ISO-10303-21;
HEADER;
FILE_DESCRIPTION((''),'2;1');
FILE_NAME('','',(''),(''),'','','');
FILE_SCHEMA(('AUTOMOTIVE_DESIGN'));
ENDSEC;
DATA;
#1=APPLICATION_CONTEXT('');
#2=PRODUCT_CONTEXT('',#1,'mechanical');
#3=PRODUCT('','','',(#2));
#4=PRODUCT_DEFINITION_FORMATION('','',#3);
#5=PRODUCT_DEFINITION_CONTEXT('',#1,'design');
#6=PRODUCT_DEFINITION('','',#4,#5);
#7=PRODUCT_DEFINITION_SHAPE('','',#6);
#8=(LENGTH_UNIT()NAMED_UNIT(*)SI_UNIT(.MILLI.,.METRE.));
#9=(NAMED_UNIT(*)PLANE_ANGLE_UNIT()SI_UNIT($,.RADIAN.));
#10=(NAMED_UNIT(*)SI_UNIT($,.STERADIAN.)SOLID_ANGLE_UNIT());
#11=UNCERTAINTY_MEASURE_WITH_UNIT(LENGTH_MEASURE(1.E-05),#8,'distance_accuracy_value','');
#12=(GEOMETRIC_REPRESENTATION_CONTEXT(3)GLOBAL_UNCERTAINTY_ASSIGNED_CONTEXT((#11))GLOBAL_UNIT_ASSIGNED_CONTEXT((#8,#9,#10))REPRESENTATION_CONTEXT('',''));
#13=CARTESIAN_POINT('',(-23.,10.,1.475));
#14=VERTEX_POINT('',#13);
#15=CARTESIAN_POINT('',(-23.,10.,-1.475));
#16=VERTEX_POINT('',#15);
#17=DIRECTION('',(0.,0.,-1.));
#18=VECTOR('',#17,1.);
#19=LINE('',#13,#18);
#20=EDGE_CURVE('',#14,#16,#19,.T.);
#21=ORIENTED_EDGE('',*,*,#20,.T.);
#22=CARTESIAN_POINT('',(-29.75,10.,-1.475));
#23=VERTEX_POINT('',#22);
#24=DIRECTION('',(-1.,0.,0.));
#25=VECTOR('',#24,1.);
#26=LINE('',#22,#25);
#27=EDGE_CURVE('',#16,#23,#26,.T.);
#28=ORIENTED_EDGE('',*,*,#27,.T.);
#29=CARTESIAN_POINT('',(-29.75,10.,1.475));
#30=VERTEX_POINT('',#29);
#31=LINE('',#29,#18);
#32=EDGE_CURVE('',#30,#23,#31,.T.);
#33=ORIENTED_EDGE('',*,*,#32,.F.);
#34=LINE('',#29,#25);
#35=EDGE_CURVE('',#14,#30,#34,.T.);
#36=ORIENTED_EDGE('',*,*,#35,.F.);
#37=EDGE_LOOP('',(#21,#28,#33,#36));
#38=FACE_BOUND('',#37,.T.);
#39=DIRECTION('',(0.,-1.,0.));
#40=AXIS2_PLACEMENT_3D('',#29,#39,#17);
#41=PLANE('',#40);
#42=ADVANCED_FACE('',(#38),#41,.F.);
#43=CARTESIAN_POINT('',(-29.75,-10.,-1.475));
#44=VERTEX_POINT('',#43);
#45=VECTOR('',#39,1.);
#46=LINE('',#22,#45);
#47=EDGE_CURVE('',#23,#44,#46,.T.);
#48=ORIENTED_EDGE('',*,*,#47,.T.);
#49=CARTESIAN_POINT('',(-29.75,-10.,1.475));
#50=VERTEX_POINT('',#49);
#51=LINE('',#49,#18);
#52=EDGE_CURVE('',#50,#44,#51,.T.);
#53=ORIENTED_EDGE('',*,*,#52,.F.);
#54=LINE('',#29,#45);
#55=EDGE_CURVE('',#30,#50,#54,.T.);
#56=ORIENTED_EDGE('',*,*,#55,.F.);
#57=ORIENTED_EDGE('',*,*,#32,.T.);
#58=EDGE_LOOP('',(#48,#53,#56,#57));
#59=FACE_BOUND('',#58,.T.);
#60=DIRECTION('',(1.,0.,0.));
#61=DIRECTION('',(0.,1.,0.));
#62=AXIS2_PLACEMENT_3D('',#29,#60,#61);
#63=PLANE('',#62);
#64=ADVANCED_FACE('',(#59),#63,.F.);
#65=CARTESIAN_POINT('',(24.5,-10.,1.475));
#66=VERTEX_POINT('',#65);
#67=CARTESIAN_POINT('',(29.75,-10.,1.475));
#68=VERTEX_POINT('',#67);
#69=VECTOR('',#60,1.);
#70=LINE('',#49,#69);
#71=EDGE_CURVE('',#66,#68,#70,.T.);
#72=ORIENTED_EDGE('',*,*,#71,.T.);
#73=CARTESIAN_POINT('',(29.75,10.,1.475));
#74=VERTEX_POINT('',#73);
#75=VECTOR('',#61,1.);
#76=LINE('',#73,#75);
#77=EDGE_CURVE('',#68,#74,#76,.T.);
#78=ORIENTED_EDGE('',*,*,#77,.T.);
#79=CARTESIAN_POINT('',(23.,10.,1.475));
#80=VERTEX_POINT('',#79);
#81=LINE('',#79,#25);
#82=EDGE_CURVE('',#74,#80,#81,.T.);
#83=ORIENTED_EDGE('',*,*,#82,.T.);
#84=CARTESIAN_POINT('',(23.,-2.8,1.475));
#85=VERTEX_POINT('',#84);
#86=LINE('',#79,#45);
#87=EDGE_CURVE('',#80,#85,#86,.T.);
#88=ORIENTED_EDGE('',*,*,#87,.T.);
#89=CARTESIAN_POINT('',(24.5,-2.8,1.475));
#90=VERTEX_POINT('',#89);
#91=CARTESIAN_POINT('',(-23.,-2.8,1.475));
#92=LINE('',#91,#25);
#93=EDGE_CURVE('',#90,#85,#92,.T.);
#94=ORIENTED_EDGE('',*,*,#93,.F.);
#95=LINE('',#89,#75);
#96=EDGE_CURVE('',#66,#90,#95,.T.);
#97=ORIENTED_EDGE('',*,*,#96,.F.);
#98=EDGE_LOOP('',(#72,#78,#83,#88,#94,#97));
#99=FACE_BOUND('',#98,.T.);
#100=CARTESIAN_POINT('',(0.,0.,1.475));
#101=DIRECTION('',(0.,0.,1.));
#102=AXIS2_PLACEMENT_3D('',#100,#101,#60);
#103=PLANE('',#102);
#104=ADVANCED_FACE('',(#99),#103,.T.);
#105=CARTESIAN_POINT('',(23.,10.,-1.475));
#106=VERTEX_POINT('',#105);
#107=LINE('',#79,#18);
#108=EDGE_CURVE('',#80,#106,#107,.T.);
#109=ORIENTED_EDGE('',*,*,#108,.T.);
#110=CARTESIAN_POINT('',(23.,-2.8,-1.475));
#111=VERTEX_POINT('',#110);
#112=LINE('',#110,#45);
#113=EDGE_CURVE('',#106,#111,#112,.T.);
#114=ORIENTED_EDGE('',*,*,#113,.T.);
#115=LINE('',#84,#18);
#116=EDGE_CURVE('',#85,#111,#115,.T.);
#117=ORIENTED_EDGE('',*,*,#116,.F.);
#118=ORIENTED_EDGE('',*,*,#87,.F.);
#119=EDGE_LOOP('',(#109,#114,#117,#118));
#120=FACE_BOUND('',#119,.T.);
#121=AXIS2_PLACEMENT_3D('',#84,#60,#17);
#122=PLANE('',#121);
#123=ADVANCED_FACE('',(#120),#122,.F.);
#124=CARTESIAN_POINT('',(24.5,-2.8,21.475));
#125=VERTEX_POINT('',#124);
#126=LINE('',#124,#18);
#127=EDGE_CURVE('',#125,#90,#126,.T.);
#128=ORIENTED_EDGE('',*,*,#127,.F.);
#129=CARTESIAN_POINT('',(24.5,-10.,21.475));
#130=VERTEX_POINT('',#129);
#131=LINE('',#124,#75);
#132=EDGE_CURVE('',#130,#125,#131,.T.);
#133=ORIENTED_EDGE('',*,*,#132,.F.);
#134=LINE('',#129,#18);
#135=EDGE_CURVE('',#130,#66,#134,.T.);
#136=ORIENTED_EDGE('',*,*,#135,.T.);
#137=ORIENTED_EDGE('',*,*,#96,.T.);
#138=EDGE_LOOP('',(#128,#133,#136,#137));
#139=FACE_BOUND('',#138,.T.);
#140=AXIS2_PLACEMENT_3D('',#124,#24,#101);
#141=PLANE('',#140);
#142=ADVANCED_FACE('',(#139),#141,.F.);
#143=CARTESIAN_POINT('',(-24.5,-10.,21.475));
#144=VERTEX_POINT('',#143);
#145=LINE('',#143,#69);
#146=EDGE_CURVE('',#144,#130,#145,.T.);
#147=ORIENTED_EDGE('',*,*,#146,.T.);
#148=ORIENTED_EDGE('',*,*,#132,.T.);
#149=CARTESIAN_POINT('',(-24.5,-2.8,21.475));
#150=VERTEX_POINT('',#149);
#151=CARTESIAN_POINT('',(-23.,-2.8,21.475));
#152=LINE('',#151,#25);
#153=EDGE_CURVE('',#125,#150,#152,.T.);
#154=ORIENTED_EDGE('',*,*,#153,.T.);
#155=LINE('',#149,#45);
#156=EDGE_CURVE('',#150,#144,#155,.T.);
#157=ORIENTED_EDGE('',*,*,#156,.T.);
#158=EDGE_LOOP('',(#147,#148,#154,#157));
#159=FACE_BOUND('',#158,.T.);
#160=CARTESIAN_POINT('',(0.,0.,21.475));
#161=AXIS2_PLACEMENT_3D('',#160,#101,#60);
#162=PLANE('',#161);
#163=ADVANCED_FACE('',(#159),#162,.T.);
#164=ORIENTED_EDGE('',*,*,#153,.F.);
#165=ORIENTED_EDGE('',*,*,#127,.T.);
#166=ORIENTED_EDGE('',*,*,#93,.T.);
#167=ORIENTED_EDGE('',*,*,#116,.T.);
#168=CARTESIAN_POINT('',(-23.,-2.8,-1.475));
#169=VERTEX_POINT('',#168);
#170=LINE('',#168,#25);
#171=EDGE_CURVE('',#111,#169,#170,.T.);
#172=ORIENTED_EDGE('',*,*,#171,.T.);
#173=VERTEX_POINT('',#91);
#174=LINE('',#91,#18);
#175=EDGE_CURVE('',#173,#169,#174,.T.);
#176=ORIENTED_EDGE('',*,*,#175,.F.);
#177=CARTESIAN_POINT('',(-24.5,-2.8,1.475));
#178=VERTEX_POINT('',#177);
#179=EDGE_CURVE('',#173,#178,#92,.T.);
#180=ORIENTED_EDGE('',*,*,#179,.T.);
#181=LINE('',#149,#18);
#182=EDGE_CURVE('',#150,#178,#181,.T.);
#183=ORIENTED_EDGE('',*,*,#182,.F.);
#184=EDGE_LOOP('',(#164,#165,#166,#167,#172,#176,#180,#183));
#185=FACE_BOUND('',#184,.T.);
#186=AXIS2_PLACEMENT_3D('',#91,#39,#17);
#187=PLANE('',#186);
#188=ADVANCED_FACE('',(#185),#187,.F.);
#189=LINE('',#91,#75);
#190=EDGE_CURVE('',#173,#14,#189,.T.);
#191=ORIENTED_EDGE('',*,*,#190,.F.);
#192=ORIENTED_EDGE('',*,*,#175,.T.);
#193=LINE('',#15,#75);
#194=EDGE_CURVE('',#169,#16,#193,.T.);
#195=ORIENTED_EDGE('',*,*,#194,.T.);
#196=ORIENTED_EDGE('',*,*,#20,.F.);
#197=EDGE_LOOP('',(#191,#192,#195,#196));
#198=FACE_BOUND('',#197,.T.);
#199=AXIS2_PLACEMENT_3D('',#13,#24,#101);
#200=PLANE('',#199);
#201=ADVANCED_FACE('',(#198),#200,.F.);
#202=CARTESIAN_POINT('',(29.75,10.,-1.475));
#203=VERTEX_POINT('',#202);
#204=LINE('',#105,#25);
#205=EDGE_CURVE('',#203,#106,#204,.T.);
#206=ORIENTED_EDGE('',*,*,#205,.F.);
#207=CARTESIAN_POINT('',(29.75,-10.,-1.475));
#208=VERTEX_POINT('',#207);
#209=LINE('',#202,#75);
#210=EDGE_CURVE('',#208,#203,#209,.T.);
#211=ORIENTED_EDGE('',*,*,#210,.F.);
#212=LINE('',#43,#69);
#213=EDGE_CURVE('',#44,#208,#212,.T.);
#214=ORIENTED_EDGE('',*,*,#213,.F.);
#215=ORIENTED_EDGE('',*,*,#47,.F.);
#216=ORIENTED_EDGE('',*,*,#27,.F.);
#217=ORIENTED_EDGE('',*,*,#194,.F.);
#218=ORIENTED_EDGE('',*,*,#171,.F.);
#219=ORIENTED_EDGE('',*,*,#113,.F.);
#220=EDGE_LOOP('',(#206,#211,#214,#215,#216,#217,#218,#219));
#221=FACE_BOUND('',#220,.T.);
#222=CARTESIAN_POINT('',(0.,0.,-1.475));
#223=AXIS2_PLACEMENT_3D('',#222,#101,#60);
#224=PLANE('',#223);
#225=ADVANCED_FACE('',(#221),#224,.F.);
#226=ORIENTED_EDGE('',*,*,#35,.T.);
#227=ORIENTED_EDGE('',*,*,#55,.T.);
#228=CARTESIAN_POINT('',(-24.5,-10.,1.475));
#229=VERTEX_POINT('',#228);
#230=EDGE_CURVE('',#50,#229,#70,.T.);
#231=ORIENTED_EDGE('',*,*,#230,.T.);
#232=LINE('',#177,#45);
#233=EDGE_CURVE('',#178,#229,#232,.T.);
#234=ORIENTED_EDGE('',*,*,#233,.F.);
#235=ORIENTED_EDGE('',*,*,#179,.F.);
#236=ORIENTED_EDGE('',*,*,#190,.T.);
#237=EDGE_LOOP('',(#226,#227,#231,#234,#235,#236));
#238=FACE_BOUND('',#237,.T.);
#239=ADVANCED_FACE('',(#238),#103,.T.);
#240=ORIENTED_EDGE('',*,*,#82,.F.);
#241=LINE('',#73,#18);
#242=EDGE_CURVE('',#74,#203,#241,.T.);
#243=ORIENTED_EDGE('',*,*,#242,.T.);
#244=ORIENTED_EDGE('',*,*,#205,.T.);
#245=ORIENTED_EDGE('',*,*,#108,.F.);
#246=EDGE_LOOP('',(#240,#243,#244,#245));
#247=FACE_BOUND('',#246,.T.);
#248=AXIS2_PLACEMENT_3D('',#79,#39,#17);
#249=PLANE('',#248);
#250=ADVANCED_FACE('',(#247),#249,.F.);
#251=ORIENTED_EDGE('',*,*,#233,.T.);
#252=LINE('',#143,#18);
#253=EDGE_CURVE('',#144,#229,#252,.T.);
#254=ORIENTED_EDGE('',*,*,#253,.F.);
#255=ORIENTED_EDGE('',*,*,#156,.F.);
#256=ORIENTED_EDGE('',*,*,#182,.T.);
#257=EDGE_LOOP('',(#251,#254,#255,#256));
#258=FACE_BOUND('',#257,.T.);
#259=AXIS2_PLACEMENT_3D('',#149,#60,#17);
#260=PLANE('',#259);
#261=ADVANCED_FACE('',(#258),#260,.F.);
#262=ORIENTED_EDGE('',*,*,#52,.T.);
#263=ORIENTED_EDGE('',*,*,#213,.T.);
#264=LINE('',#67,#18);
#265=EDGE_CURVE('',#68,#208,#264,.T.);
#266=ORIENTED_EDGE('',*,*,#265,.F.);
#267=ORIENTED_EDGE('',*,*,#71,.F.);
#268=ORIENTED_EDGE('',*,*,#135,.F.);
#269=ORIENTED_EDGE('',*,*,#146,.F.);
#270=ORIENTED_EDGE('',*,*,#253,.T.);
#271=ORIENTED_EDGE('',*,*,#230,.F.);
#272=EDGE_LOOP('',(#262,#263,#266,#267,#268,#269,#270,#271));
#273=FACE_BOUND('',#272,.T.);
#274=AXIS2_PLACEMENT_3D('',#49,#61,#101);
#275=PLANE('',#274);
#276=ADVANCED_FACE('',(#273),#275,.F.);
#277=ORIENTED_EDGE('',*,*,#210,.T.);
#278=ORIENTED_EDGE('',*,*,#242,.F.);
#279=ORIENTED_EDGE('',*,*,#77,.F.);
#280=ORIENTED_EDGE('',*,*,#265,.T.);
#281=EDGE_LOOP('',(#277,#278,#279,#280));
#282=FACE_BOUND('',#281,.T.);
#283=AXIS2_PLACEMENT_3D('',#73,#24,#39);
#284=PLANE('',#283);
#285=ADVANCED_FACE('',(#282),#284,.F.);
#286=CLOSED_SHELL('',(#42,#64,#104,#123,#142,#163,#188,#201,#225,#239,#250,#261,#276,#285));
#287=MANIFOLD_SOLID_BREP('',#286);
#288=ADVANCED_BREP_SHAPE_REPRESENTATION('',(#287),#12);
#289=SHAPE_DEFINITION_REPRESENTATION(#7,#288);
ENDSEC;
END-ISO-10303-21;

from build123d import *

# Parameters (mm, degrees)
BOSS_EXTRUDE1_DEPTH = 1.475
BOSS_EXTRUDE2_DEPTH = 20


with BuildPart() as part:
    # Sketch1 → Boss-Extrude1 (new, symmetric)
    with BuildSketch(Plane.XY):
        Polygon((-29.75, 10), (-23, 10), (-23, -1.3), (-23, -2.8), (23, -2.8), (23, -1.3), (23, 10), (29.75, 10), (29.75, -10), (-29.75, -10), align=None)
    extrude(amount=BOSS_EXTRUDE1_DEPTH, both=True)

    # Sketch2 → Boss-Extrude2 (add)
    with BuildSketch(Plane.XY.offset(1.475)):
        Polygon((-23, -2.8), (23, -2.8), (24.5, -2.8), (24.5, -10), (23, -10), (-23, -10), (-24.5, -10), (-24.5, -2.8), align=None)
    extrude(amount=BOSS_EXTRUDE2_DEPTH)


solid = part.part
